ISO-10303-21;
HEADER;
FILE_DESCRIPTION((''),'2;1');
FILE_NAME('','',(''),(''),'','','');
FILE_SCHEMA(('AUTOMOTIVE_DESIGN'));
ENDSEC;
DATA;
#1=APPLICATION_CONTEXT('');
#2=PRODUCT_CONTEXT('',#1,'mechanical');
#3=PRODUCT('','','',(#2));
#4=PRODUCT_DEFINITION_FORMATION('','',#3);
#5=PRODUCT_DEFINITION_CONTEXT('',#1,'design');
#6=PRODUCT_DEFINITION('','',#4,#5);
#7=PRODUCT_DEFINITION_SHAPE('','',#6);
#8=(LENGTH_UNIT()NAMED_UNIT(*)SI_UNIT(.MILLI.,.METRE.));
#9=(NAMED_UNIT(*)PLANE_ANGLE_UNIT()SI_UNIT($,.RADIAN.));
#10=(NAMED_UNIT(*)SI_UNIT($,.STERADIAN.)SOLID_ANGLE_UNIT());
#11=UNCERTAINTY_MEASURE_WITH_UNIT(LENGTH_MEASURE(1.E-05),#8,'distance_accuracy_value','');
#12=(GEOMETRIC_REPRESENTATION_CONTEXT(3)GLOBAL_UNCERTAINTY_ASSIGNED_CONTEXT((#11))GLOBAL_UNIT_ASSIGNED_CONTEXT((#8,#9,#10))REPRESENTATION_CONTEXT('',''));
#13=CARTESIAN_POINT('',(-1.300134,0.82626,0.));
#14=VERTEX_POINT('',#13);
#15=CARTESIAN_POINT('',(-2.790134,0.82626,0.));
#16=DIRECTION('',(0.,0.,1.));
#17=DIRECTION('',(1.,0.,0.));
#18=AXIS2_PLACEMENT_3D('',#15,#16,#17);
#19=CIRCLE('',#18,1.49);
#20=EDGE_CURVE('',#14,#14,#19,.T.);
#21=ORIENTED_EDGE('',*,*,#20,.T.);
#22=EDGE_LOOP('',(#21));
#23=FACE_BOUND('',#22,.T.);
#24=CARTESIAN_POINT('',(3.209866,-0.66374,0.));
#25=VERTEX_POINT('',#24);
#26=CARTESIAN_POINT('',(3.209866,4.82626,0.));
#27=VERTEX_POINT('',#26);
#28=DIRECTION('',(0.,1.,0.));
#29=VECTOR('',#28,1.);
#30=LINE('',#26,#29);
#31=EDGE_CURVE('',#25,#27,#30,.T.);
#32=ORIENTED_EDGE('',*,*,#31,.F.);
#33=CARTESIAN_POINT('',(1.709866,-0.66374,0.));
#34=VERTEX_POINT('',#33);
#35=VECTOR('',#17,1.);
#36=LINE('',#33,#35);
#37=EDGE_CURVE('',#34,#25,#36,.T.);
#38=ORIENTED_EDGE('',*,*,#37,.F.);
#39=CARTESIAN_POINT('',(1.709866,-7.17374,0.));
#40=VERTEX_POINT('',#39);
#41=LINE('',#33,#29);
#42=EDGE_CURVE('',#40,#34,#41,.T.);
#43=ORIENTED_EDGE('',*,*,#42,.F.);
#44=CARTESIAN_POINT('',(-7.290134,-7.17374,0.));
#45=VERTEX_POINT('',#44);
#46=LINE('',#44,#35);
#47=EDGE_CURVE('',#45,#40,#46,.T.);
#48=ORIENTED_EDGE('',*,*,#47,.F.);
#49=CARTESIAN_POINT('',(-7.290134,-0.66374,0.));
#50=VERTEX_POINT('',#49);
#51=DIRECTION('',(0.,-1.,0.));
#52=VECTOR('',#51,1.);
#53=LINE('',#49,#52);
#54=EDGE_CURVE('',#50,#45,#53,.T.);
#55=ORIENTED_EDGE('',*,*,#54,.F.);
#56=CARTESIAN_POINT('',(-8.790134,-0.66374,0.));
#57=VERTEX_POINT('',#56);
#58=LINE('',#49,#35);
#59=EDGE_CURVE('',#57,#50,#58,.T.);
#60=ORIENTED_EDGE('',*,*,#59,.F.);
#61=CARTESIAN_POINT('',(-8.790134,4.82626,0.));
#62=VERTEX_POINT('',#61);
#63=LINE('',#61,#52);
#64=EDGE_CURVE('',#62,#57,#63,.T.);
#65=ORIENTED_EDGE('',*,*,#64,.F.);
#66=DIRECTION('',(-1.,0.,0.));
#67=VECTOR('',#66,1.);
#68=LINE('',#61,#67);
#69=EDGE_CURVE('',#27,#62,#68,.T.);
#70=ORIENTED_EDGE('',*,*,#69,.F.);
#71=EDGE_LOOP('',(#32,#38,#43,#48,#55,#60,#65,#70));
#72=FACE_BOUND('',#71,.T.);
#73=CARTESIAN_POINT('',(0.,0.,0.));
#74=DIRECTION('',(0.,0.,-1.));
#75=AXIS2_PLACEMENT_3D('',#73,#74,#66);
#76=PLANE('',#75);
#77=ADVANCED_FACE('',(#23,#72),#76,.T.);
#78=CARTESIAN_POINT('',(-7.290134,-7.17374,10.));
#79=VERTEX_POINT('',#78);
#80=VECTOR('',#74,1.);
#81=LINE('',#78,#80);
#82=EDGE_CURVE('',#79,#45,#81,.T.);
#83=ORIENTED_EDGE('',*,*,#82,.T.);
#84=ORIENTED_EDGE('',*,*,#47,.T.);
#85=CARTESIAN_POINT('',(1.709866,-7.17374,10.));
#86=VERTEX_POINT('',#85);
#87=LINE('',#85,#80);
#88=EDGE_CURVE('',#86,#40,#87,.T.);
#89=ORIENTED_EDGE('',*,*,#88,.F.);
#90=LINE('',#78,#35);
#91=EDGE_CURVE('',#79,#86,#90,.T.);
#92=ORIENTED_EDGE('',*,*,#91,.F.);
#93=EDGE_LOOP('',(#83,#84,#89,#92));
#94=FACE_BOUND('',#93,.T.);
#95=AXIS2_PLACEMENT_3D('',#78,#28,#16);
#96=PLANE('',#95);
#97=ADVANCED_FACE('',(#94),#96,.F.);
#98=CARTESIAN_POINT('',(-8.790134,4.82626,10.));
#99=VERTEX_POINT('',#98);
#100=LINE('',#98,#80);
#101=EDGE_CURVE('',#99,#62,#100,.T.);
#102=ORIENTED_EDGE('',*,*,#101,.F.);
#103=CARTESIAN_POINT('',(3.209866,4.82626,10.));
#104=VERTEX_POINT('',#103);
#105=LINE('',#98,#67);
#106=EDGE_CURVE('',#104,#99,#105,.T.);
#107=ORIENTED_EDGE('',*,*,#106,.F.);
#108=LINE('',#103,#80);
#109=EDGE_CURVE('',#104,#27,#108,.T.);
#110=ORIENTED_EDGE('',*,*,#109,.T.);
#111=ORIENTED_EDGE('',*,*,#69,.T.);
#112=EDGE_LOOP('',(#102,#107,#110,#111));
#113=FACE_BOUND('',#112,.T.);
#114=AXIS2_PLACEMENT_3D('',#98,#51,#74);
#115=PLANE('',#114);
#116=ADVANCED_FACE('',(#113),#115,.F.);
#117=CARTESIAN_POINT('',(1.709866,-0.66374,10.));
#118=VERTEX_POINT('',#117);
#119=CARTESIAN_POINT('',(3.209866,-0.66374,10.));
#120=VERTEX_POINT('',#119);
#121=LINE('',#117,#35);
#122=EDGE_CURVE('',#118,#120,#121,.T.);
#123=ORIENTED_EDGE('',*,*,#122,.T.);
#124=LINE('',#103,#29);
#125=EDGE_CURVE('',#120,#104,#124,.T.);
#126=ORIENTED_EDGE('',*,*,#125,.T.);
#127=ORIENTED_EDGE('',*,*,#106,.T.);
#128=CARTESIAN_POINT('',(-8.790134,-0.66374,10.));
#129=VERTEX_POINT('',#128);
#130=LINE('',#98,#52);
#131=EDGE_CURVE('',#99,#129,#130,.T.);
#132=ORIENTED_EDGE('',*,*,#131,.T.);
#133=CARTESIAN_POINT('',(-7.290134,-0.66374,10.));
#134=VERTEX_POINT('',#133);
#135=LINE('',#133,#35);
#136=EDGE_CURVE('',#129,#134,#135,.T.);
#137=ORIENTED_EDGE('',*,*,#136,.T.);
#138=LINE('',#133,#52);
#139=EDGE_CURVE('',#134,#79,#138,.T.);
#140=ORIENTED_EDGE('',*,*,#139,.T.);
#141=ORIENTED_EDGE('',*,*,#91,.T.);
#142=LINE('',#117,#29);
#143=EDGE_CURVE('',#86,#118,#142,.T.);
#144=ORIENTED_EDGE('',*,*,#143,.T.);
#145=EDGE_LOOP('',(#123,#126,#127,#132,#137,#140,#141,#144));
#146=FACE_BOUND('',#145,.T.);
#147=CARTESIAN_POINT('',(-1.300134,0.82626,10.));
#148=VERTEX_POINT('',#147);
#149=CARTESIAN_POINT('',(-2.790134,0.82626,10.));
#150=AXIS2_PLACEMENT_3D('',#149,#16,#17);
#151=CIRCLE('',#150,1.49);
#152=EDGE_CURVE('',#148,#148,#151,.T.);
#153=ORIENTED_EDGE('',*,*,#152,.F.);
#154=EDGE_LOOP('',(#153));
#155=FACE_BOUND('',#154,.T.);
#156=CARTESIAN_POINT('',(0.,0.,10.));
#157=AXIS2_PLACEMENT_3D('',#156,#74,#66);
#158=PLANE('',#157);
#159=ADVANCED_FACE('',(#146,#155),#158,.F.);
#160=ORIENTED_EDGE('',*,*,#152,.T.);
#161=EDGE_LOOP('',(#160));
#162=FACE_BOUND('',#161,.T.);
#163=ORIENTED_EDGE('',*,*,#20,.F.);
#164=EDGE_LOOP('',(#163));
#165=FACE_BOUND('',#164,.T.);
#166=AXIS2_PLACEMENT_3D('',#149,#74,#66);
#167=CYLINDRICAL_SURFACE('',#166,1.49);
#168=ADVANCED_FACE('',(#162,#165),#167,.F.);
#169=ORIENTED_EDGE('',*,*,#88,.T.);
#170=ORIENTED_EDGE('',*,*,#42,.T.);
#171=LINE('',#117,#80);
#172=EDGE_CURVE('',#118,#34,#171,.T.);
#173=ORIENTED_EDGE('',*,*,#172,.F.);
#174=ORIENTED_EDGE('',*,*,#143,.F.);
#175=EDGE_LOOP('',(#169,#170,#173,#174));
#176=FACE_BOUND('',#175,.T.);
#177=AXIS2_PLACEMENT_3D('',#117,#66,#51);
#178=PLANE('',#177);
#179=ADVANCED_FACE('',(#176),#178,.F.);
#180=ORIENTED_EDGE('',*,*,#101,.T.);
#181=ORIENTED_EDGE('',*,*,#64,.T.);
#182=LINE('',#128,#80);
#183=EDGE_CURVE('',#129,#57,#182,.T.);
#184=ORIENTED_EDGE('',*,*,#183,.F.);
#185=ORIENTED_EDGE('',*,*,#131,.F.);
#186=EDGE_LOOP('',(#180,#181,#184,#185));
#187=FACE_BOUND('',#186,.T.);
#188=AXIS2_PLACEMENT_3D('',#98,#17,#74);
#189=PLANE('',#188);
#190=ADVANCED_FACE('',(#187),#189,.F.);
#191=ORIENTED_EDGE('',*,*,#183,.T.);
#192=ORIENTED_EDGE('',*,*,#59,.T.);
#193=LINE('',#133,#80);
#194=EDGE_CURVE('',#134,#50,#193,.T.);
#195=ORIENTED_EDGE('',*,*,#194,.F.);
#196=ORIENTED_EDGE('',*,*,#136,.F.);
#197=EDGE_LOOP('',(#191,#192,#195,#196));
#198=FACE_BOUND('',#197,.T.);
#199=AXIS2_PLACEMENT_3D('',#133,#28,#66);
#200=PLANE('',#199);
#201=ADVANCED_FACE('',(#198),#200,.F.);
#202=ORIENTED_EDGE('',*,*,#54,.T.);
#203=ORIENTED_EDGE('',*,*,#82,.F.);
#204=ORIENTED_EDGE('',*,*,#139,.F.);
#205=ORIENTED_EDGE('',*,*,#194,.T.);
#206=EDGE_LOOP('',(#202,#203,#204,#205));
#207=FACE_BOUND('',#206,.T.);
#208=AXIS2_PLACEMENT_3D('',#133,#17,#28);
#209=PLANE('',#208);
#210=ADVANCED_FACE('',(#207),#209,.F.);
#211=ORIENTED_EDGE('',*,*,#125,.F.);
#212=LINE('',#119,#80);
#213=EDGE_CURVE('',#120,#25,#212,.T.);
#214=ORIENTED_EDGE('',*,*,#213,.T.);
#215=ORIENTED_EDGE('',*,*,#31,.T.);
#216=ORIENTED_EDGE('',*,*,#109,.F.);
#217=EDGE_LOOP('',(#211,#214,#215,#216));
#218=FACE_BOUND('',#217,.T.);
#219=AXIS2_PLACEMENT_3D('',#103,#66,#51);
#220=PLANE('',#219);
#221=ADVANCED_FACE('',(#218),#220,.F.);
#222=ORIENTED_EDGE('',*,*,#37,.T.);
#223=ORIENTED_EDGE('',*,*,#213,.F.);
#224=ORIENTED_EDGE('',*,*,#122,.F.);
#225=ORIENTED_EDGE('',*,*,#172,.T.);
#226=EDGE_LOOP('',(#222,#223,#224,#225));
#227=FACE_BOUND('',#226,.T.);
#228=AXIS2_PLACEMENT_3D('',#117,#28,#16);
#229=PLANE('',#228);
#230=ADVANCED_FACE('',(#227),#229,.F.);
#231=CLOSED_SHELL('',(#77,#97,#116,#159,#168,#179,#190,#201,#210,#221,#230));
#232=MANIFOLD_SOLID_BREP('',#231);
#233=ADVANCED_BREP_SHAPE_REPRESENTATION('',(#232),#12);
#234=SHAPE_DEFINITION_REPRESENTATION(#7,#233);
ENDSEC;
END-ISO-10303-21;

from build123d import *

# Parameters (mm, degrees)
SKETCH1_R           = 1.49
BOSS_EXTRUDE1_DEPTH = 10


with BuildPart() as part:
    # Sketch1 → Boss-Extrude1 (new body)
    with BuildSketch(Plane.XY):
        Polygon((-7.290134494, -0.663740173), (-8.790134494, -0.663740173), (-8.790134494, 4.826259827), (3.209865506, 4.826259827), (3.209865506, -0.663740173), (1.709865506, -0.663740173), (1.709865506, -7.173740173), (-7.290134494, -7.173740173), align=None)
        with Locations((-2.790134494, 0.826259827)):
            Circle(SKETCH1_R, mode=Mode.SUBTRACT)
    extrude(amount=BOSS_EXTRUDE1_DEPTH)


solid = part.part
